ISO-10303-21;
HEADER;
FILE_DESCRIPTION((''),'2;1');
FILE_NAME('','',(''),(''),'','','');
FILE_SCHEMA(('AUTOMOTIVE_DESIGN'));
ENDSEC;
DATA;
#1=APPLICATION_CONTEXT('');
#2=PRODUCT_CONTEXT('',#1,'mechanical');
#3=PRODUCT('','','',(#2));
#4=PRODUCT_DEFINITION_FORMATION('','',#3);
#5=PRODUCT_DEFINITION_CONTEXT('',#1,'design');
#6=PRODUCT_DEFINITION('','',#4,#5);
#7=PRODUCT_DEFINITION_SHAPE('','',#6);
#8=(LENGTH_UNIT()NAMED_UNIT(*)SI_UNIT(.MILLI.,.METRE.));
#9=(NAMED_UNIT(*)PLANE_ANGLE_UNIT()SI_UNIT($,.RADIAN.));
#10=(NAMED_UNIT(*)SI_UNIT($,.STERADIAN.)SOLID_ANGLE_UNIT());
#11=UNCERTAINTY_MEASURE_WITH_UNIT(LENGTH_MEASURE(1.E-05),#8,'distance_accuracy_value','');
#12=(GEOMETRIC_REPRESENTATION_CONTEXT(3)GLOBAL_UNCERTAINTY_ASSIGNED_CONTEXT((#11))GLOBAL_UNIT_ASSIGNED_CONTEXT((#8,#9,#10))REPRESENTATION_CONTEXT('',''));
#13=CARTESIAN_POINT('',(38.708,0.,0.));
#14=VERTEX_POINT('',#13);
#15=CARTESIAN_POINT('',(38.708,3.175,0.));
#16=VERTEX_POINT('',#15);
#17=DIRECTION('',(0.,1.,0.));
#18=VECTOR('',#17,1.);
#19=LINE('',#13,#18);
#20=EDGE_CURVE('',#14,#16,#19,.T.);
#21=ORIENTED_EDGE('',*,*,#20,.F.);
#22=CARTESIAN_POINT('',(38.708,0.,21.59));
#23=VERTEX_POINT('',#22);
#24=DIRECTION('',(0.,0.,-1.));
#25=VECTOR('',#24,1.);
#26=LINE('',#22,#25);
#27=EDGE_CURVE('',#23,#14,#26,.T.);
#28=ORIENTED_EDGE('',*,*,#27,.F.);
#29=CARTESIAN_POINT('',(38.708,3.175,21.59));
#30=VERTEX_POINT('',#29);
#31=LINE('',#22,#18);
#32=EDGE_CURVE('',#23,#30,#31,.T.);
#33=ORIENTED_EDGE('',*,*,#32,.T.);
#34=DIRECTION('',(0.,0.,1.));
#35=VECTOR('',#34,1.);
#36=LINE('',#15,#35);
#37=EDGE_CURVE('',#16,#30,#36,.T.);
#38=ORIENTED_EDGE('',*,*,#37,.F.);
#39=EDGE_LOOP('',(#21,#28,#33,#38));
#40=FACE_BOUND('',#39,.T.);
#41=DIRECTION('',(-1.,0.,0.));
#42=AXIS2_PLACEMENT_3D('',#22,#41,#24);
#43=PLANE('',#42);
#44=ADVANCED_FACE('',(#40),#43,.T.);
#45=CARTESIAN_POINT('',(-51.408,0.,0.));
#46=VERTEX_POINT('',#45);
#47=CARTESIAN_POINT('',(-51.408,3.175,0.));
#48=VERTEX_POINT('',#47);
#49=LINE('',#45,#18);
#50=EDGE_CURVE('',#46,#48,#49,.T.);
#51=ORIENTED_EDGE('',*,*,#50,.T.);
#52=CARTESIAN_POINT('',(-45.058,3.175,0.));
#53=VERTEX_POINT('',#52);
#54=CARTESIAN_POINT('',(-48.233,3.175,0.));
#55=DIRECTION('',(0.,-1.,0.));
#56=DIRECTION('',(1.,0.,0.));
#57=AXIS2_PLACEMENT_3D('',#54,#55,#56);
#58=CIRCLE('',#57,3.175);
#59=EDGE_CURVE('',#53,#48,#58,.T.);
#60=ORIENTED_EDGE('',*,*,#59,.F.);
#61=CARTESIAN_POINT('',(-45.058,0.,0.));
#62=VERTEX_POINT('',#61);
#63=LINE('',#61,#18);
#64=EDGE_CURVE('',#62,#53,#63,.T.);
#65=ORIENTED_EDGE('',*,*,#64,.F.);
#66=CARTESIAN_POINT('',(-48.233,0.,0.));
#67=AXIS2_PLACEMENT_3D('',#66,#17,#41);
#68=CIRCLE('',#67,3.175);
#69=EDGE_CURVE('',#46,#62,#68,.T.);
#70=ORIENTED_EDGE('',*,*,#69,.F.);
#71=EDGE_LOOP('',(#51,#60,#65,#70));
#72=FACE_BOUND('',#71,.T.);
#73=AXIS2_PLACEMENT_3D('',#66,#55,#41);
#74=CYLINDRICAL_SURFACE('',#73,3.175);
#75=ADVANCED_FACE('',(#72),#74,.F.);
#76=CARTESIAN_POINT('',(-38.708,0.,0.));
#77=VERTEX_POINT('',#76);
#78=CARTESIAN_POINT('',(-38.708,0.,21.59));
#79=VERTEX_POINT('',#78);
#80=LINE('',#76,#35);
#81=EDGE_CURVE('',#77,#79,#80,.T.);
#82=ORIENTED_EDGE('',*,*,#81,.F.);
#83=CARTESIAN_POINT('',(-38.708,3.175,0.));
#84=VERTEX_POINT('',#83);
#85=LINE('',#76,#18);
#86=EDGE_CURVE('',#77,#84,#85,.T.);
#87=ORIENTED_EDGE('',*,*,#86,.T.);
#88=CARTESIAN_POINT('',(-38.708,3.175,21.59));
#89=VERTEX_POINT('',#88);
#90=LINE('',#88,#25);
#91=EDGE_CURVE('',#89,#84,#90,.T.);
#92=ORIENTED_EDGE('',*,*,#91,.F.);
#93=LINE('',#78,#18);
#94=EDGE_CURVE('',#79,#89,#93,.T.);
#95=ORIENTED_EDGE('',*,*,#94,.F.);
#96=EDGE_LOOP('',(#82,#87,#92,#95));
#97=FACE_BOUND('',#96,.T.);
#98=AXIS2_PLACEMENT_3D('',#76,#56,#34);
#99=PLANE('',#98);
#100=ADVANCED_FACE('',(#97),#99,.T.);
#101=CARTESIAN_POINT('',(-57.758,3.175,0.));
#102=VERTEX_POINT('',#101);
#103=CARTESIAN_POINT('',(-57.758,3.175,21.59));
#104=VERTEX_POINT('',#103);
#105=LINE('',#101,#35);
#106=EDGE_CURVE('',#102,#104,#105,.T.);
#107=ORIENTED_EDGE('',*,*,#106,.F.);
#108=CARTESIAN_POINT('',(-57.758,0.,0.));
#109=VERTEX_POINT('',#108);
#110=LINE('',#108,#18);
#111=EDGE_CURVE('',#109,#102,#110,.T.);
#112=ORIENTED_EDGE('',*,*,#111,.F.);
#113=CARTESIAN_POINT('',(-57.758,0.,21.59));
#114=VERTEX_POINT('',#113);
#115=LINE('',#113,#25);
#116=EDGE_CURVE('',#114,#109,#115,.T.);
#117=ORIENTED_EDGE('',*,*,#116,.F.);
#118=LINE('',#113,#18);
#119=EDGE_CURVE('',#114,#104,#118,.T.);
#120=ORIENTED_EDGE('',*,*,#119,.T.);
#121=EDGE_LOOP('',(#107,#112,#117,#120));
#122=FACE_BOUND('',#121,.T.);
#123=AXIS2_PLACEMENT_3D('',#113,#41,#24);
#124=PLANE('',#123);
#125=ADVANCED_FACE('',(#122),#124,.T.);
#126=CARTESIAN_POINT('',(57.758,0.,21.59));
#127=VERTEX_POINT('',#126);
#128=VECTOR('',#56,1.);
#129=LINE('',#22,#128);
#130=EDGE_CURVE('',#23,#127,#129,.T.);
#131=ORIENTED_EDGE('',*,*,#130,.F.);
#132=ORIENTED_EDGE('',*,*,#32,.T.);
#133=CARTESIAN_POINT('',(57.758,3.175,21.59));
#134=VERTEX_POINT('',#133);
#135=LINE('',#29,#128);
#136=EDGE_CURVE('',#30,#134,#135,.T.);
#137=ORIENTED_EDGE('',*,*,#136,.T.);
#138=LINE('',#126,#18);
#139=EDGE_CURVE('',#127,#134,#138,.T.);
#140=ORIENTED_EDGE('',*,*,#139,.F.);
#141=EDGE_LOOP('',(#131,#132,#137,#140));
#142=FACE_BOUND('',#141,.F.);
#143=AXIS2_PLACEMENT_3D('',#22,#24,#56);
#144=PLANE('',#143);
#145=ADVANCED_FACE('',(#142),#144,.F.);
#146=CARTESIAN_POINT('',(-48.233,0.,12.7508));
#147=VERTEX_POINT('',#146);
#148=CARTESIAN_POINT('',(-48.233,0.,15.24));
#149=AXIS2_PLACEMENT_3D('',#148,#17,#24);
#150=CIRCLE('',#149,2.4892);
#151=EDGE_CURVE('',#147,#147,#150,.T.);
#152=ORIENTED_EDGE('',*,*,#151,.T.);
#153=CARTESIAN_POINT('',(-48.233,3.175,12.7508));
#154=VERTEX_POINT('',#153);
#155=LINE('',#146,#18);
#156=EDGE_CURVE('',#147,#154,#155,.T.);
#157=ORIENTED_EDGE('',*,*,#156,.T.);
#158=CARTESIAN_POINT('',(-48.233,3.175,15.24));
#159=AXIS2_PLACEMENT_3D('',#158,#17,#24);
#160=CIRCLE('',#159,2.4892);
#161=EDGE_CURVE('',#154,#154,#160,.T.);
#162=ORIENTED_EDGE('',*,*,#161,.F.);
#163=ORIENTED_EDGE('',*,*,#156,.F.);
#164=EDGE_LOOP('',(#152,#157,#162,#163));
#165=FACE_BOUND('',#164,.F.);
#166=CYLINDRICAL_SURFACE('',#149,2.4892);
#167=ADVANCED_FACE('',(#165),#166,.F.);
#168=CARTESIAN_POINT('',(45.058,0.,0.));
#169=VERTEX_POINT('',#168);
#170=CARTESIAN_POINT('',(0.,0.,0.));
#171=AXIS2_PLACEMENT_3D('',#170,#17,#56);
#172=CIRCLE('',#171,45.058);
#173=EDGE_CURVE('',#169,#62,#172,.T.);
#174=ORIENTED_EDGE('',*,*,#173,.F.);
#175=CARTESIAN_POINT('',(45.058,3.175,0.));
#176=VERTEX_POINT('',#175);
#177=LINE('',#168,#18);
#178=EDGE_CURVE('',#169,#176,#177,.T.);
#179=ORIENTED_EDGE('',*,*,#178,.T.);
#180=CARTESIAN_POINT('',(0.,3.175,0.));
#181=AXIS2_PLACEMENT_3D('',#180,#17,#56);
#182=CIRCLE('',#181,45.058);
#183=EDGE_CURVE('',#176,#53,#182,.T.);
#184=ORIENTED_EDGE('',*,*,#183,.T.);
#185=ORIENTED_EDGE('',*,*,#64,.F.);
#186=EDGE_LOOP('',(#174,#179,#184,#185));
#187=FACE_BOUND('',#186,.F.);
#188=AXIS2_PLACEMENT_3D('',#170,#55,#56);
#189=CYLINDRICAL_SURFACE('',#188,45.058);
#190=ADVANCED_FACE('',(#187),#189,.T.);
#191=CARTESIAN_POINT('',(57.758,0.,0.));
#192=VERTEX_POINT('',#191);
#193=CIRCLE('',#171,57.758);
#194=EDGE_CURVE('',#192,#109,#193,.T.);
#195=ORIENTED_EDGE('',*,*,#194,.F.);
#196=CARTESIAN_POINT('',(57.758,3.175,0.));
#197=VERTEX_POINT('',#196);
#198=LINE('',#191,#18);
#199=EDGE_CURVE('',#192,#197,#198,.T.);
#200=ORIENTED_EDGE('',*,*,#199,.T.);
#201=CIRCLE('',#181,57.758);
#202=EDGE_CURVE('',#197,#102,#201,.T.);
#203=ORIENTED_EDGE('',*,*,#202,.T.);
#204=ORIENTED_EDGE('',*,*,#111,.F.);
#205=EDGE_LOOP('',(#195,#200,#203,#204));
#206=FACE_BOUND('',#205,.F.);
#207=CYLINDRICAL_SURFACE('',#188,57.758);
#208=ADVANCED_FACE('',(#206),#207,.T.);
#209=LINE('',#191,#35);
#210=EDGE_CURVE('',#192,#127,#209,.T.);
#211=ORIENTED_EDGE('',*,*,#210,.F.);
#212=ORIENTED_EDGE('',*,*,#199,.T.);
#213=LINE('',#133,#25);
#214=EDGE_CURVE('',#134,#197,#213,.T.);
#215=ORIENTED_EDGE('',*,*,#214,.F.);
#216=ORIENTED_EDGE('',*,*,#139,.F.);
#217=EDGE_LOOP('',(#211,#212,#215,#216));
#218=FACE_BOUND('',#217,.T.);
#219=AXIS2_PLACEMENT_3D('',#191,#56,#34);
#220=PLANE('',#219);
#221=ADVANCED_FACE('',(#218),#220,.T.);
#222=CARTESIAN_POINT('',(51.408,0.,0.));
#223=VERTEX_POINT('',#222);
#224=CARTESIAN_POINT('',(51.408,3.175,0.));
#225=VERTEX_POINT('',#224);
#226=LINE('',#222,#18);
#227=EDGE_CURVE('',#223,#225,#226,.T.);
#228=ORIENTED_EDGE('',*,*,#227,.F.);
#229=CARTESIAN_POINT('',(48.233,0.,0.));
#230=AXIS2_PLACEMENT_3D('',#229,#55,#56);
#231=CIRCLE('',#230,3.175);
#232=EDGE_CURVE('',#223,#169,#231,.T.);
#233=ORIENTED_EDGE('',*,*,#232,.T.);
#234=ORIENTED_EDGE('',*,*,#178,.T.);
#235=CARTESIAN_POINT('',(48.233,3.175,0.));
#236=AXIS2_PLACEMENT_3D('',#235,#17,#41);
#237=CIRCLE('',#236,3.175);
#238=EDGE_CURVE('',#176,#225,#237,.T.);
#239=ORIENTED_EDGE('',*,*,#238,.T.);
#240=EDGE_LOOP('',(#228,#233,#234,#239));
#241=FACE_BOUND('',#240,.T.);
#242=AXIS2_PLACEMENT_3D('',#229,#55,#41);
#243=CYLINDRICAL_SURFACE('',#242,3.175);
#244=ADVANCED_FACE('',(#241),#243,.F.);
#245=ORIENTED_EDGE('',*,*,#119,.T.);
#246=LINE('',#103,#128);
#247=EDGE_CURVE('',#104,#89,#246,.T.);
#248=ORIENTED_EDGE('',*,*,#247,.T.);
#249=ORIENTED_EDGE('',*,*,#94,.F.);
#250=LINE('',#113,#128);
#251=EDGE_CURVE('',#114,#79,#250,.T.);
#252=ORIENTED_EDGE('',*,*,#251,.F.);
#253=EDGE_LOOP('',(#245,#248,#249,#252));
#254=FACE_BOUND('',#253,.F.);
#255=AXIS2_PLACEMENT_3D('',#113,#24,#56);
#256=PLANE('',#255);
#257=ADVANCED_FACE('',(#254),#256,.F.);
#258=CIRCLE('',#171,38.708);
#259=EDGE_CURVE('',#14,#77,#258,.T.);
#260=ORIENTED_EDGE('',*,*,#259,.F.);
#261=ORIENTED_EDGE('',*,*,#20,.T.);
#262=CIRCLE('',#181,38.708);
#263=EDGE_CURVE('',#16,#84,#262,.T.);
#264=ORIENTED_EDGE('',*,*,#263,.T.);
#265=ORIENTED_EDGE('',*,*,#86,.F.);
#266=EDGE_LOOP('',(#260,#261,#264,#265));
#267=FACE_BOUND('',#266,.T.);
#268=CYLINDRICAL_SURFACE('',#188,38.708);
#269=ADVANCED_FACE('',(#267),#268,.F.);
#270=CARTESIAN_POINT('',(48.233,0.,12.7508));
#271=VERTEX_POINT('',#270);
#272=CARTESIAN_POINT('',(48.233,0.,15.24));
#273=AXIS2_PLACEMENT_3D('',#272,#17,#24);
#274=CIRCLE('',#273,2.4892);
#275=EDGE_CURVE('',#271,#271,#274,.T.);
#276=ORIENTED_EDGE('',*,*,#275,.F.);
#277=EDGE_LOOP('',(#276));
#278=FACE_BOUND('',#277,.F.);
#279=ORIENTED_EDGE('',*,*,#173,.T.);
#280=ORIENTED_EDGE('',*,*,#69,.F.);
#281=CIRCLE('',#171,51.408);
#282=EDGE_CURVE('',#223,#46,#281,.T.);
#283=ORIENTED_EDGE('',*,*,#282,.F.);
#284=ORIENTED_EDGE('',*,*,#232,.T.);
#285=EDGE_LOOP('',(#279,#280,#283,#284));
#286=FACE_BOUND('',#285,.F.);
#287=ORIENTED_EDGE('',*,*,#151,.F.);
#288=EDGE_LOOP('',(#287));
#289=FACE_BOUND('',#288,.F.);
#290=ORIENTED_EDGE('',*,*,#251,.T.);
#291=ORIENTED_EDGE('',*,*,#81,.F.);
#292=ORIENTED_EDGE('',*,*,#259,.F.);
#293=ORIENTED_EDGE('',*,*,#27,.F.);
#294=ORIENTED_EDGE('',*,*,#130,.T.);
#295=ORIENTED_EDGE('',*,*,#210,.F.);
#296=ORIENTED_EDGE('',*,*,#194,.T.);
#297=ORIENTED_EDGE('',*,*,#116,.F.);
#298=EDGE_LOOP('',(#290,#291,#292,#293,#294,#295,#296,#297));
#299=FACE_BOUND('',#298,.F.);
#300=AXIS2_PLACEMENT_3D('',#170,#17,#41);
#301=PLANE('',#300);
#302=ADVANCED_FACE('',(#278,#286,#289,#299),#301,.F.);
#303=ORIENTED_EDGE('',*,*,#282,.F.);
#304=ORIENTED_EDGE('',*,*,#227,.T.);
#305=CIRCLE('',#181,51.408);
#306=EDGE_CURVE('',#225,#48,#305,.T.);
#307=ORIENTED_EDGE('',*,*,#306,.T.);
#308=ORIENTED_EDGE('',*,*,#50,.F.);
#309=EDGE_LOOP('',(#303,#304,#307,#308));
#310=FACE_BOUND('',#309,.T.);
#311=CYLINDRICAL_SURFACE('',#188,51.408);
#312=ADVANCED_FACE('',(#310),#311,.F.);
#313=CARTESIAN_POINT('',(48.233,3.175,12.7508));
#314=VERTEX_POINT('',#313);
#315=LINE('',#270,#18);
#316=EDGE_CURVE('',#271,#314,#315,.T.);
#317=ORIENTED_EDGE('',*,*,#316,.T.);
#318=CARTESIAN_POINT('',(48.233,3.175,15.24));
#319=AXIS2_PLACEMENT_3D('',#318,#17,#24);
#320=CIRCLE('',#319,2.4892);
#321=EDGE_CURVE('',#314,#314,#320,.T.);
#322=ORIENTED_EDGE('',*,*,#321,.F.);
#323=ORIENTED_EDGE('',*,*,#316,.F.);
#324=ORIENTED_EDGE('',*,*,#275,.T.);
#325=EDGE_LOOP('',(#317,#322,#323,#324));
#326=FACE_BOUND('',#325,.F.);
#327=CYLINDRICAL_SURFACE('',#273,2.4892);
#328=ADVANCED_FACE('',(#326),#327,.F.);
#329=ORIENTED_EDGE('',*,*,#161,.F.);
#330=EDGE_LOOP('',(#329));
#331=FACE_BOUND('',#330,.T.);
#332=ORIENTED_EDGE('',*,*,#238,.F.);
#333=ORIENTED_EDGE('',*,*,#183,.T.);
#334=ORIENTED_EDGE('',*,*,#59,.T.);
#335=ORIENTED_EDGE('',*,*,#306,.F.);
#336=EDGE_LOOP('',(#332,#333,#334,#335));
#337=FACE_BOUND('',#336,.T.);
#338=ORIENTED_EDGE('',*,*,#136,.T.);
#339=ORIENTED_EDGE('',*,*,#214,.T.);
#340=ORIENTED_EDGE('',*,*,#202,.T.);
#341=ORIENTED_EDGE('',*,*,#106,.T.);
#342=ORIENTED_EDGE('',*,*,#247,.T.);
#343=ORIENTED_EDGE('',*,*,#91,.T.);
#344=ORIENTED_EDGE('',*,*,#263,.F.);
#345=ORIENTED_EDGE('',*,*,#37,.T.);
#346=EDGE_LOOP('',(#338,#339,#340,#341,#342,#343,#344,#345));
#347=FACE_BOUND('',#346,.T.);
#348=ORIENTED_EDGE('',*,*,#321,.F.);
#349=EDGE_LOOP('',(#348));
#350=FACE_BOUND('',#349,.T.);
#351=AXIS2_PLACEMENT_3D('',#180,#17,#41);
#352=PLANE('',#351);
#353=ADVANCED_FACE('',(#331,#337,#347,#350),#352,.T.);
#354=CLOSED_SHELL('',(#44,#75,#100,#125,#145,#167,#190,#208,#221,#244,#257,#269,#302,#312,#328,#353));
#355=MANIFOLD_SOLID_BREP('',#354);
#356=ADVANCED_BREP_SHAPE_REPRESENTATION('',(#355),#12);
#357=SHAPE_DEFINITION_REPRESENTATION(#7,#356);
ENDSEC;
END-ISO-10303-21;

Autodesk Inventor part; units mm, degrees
ref_plane "YZ Plane" through (0, 0, 0) normal (1, 0, 0) x (0, 1, 0)
ref_plane "XZ Plane" through (0, 0, 0) normal (0, 1, 0) x (-1, 0, 0)
ref_plane "XY Plane" through (0, 0, 0) normal (0, 0, 1) x (1, 0, 0)
sketch "Sketch1" plane through (0, 0, 0) normal (0, 1, 0) x (-1, 0, 0)
  arc A0 (-48.1285, 3.1733) -> (48.1285, 3.1733) centre (0, 0) ccw
  arc A1 (-45.058, 0) -> (45.058, 0) centre (0, 0) ccw
  arc A2 (-38.708, 0) -> (38.708, 0) centre (0, 0) ccw
  arc A3 (-51.408, 0) -> (51.408, 0) centre (0, 0) ccw
  arc A4 (-57.758, 0) -> (57.758, 0) centre (0, 0) ccw
  circle A5 centre (48.233, 0) radius 3.175
  line L0 (0, 0) -> (48.233, 0)
  line L1 (0, 0) -> (-48.233, 0)
  circle A6 centre (-48.233, 0) radius 3.175
  line L2 (-48.233, 0) -> (-48.233, 15.24)
  line L3 (-38.708, 0) -> (-38.708, 15.24)
  line L4 (-57.758, 0) -> (-57.758, 15.24)
  line L5 (48.233, 0) -> (48.233, 15.24)
  line L6 (38.708, 0) -> (38.708, 15.24)
  line L7 (57.758, 0) -> (57.758, 15.24)
  line L8 (-38.708, 21.59) -> (-57.758, 21.59)
  line L9 (-57.758, 21.59) -> (-57.758, 15.24)
  line L10 (-38.708, 21.59) -> (-38.708, 15.24)
  line L11 (57.758, 21.59) -> (38.708, 21.59)
  line L12 (38.708, 21.59) -> (38.708, 15.24)
  line L13 (57.758, 21.59) -> (57.758, 15.24)
  point P0 (-48.233, 15.24)
  point P1 (45.058, 0)
  dimension "d0" = 96.4661
  dimension "d1" = 3.175
  dimension "d2" = 6.35
  dimension "d3" = 3.175
  dimension "d4" = 6.35
  dimension "d5" = 6.35
  dimension "d6" = 6.35
  dimension "d7" = 15.24
  dimension "d8" = 15.24
  dimension "d18" = 6.35
  dimension "d19" = 6.35
extrude "Extrusion1" add sketch "Sketch1" along normal blind 3.175 contours A6 A3 A5 L0 L6 L12 L11 L13 L7 A4 L4 L9 L8 L10 L3 L1 | L1 A2 L0 A1
hole "Hole1" at (48.233, 0, 15.24) at (-48.233, 0, 15.24) direction (0, 1, 0) diameter 4.9784 end through all clearance for "Flat Head Machine Screw (82)" size "#10" standard "Ansi Unified Screw Threads"
equation "\"d0\" = ringDiam"
equation "\"d7\" = thickness + stageSpace"
equation "\"d8\" = thickness + stageSpace"
equation "\"height\" = 203.2"
equation "\"thickness\" = 12.7"
equation "\"shaftDiam\" = 6.35"
equation "\"shaftSpace\" = 1.5875"
equation "\"stageSpace\" = 2.54"
equation "\"stageAngle\" = 15deg"
equation "\"bearingDiam\" = 9.5504"
equation "\"FlangeDiam\" = 12.7"
equation "\"FlangeDepth\" = 1.5875"
equation "\"smallFilet\" = 0.39687"
equation "\"ringDiam\" = 96.46608"
equation "\"stockHeight\" = 50.8"
equation "\"stockWidth\" = 76.2"
equation "\"stockRad\" = 9.525"
equation "\"stockGuage\" = 3.175"
equation "\"groundActu\" = 304.8"
equation "\"baseWidth\" = 1066.8"
equation "\"baseDepth\" = 254"
equation "\"capThickness\" = 3.175"
equation "\"sup1Len\" = 660.4"
equation "\"sup1Ang\" = 22.619865deg"
equation "\"sup2Len\" = 2079.37366"
equation "\"sup2Ang\" = 8.959949deg"
equation "\"supVertLen\" = 955.13561"
equation "\"supSideLen\" = 1531.12879"
equation "\"supSideAng\" = 19.376933deg"
properties part number "lock ring 1" material "Aluminum 6061"
